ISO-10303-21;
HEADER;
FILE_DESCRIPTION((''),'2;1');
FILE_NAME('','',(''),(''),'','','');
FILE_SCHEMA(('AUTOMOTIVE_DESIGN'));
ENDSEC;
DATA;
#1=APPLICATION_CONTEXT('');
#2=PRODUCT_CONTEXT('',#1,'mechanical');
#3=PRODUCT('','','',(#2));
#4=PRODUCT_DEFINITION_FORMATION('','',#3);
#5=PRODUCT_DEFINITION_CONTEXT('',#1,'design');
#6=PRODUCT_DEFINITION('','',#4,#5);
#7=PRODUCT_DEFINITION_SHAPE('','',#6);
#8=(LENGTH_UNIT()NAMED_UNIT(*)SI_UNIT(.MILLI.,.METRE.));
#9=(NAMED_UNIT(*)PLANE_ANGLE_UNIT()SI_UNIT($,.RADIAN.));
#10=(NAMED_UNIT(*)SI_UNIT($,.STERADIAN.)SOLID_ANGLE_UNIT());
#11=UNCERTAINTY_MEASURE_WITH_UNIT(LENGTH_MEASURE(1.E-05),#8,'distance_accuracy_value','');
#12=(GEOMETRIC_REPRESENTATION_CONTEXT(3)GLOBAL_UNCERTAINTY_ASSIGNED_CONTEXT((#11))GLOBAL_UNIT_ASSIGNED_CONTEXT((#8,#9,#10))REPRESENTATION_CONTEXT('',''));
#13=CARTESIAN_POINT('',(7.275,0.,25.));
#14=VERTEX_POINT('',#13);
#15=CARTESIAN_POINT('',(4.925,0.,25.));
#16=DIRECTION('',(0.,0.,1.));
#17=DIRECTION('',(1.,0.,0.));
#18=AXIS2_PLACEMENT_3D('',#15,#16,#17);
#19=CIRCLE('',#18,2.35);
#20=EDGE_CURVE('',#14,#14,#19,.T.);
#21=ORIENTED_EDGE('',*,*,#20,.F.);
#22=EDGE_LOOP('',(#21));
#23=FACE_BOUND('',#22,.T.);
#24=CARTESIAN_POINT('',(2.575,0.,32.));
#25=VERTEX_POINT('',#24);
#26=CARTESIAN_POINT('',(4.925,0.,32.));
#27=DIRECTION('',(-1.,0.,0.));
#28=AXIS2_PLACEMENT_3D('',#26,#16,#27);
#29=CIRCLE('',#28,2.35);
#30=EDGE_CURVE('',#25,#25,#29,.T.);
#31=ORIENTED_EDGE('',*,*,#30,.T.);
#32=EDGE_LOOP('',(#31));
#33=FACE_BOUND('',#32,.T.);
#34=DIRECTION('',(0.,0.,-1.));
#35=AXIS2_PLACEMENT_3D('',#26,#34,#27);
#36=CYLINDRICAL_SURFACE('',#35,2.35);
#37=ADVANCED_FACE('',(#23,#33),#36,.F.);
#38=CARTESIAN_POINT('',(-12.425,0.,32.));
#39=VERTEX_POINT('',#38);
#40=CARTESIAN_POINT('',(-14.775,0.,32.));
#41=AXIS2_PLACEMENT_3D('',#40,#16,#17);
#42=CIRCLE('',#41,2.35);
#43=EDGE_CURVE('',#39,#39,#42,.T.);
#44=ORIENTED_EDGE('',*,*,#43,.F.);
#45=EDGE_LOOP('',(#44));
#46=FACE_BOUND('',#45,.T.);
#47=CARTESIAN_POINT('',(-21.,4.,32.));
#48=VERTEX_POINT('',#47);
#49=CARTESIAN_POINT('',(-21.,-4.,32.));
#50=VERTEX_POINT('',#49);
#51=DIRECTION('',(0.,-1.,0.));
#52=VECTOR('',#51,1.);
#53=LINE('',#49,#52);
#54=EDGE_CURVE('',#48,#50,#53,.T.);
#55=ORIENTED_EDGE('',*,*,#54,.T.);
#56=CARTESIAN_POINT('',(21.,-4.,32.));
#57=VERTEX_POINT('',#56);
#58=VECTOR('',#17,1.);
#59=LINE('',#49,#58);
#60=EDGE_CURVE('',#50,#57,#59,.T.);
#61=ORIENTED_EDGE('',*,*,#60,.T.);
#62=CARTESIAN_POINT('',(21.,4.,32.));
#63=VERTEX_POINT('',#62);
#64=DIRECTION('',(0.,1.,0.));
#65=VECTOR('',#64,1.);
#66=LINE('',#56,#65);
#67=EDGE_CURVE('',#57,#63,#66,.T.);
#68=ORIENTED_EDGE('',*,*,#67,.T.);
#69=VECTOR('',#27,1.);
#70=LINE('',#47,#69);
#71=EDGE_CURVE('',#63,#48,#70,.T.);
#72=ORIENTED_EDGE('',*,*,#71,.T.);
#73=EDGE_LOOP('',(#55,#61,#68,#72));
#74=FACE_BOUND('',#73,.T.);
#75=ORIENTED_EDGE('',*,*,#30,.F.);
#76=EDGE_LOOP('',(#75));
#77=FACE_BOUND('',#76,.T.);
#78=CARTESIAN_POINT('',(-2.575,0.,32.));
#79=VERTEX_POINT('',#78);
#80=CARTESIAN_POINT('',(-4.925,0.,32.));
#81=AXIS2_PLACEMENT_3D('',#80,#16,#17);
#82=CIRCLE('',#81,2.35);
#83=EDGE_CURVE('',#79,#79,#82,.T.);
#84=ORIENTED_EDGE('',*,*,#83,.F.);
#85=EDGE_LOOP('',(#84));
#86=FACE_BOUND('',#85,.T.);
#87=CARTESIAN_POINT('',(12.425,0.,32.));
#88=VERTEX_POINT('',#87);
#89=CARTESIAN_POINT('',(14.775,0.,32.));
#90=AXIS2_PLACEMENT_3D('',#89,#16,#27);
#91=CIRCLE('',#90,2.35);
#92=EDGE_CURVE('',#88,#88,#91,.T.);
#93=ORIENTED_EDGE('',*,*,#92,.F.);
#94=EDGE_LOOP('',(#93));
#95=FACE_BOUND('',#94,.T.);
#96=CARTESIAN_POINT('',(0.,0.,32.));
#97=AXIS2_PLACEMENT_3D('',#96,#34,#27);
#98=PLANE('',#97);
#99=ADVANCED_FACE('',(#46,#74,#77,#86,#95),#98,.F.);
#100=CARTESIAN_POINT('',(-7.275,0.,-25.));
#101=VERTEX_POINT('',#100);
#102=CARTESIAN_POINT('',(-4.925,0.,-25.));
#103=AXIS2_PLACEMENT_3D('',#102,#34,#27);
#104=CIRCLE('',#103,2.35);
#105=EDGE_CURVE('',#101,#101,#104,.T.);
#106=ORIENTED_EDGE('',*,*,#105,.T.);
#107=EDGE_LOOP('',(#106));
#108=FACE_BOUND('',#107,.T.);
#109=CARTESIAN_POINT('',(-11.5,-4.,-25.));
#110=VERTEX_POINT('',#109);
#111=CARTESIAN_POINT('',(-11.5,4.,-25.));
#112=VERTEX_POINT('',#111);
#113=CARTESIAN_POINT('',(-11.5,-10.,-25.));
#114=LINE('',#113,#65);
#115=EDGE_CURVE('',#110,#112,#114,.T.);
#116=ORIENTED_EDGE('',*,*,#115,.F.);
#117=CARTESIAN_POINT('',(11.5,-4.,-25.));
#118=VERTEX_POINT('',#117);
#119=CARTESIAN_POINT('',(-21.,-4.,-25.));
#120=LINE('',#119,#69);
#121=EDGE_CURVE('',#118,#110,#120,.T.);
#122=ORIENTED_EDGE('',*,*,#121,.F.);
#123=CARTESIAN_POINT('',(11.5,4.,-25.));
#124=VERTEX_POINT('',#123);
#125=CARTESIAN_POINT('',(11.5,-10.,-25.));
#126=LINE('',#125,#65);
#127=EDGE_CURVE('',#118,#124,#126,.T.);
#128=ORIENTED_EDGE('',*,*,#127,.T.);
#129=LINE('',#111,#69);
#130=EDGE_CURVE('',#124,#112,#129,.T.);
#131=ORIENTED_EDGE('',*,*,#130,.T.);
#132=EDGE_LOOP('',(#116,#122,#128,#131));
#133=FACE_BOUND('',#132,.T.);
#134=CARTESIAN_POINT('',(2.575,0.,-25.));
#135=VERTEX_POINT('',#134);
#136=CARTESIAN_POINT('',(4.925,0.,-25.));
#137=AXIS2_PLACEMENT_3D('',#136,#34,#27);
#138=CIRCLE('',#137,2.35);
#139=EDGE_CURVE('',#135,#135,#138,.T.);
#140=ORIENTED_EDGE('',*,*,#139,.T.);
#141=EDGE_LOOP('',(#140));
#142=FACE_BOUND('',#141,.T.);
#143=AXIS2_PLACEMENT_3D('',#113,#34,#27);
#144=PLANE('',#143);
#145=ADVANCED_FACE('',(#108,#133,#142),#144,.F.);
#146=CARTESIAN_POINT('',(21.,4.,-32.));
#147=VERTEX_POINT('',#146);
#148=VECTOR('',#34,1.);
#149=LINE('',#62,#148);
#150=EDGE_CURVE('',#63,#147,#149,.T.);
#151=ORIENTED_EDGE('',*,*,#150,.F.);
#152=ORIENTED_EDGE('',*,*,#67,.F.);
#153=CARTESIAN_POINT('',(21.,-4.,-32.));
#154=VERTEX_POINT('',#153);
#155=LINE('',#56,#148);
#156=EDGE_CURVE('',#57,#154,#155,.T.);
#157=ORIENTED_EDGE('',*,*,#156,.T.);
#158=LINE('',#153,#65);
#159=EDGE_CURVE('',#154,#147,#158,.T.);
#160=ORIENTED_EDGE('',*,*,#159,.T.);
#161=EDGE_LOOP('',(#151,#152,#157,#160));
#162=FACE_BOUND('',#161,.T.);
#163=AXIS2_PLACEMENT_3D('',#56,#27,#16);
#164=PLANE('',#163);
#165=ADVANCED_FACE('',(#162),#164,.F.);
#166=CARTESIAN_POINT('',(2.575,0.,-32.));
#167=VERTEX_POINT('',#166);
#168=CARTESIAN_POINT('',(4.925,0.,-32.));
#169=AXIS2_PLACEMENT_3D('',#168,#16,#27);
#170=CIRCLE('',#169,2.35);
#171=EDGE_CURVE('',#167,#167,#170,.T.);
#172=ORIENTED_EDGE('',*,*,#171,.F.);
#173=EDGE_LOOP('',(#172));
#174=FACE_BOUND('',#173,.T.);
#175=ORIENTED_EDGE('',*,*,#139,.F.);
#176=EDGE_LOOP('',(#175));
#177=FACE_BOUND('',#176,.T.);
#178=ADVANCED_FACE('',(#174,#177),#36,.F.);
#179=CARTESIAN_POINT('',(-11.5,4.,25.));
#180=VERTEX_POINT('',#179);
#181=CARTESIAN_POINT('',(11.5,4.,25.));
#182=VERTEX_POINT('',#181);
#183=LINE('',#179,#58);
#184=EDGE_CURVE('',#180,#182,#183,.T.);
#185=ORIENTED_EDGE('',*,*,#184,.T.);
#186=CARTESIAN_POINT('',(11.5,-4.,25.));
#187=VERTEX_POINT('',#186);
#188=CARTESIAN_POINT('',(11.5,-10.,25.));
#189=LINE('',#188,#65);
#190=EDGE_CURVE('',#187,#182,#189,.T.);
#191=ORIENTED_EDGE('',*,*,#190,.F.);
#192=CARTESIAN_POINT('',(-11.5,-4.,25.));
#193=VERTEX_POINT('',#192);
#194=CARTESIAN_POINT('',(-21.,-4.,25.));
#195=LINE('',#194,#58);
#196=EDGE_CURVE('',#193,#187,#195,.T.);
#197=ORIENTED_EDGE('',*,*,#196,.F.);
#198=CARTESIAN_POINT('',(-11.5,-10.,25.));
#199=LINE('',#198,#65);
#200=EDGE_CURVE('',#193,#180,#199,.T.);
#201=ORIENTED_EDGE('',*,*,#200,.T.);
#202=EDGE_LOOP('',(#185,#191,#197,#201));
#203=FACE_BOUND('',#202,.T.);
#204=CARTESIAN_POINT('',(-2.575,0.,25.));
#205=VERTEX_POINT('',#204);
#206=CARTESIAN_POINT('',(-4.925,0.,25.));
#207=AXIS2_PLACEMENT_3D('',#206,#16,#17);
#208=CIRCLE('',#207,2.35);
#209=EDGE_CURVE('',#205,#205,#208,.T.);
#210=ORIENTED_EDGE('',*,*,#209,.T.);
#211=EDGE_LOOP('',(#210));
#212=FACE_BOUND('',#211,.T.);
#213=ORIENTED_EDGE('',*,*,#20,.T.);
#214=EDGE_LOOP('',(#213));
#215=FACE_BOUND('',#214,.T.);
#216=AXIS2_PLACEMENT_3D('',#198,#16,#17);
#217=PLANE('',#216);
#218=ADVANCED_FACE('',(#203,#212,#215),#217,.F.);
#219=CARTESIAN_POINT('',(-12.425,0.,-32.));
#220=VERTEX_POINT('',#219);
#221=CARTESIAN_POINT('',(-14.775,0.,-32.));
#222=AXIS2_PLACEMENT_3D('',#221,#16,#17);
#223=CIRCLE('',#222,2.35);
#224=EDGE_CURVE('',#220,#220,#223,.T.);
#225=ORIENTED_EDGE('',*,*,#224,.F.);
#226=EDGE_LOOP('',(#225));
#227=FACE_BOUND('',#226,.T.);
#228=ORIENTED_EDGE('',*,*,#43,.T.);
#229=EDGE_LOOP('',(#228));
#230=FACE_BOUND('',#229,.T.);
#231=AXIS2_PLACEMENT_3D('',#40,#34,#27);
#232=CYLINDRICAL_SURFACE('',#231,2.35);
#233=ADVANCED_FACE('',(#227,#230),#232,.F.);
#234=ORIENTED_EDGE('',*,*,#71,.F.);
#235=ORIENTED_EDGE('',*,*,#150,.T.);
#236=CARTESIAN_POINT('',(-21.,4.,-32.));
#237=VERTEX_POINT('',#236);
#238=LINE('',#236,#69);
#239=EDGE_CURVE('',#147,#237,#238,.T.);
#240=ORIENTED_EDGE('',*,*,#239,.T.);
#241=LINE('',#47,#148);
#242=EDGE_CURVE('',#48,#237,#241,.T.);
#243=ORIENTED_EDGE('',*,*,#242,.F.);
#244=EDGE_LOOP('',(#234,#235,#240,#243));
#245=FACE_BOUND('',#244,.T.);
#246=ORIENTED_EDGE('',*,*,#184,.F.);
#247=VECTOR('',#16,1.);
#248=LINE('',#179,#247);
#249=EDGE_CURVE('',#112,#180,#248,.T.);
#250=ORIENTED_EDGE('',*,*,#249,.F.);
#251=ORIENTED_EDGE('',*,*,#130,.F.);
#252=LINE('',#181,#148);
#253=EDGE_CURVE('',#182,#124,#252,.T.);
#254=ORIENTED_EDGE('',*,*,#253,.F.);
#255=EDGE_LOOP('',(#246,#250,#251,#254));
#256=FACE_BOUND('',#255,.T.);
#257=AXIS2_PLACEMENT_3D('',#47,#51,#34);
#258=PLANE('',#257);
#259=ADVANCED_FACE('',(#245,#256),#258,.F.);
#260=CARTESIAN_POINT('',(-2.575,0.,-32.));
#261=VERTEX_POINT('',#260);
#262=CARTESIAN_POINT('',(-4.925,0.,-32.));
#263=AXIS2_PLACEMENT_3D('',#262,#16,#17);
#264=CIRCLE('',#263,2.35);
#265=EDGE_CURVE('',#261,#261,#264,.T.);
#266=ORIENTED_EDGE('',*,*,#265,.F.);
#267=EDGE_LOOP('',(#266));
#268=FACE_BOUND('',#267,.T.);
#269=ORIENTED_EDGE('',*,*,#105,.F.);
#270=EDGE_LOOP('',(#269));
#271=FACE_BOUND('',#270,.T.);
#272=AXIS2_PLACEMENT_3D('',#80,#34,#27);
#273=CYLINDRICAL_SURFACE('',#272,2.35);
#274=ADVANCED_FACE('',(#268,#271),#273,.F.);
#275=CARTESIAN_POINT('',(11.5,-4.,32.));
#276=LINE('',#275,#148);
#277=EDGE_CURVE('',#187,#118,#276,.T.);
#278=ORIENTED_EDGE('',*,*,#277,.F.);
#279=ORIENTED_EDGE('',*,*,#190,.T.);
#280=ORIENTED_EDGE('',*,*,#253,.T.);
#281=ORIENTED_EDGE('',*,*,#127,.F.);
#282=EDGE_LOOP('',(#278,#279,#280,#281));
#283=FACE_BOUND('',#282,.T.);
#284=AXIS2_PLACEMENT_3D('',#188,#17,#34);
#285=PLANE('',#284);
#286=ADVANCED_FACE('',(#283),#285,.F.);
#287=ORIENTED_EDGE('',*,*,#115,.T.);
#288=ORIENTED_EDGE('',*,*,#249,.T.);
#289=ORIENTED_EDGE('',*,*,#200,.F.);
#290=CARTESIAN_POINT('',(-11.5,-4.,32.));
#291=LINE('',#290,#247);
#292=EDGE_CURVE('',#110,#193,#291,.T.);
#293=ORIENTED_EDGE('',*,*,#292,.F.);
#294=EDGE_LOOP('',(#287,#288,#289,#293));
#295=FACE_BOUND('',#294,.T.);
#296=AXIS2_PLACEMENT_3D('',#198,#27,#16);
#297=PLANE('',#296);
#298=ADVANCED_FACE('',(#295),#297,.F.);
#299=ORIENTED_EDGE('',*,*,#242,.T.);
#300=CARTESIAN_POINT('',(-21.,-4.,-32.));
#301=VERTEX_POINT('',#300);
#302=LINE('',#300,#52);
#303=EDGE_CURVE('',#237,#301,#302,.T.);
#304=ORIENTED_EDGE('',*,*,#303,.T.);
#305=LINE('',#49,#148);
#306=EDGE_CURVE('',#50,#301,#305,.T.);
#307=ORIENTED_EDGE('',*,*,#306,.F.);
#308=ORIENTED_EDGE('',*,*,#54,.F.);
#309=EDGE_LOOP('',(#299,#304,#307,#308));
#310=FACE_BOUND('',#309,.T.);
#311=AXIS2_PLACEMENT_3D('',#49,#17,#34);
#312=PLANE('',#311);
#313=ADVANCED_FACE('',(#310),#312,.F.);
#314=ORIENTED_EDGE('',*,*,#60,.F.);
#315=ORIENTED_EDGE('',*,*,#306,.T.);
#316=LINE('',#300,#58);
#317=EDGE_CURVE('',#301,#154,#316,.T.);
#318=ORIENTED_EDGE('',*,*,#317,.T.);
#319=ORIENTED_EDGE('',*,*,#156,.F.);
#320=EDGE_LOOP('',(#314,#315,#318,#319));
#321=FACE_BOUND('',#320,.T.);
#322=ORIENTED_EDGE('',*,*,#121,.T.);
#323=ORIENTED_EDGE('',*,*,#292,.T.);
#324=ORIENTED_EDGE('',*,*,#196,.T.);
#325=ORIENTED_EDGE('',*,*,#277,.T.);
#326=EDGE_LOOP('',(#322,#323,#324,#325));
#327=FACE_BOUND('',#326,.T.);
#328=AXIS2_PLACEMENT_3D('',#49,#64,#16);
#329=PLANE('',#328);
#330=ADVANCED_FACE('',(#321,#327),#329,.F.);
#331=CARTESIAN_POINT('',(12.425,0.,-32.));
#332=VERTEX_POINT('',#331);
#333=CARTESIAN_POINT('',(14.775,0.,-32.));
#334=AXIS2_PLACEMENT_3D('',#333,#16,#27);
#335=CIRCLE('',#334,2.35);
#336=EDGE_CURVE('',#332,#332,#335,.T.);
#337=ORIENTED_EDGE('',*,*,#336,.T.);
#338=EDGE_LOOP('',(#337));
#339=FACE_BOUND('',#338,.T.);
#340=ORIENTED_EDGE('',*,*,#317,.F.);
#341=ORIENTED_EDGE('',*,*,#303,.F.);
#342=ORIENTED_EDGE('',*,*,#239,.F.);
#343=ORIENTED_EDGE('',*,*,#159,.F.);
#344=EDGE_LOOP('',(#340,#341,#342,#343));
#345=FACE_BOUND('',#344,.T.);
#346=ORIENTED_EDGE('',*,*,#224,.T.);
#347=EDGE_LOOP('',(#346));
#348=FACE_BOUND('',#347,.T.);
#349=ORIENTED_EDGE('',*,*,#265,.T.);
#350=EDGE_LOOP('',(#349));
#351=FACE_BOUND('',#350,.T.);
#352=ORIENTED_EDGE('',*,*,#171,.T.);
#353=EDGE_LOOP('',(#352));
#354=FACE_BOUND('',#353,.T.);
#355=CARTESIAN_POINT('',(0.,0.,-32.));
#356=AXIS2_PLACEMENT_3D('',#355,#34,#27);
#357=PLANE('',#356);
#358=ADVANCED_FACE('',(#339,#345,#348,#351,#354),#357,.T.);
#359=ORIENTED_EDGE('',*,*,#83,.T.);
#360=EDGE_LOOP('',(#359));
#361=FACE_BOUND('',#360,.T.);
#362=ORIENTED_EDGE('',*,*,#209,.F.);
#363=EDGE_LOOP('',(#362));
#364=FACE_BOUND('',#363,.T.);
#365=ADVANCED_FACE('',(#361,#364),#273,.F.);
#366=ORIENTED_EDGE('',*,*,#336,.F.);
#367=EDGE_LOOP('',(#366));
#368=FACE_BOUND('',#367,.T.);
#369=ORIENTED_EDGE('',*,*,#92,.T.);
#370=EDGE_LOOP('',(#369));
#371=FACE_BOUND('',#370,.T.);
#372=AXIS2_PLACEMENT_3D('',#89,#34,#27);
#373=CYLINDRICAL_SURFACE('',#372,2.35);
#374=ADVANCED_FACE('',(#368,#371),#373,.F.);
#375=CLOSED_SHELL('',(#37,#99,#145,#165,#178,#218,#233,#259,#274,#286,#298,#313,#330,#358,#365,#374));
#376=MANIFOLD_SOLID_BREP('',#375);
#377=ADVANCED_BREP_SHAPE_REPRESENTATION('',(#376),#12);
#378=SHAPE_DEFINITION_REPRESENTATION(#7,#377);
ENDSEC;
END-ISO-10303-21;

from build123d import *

# Parameters (mm, degrees)
SKETCH_1_W          = 42
SKETCH_1_H          = 8
SKETCH_1_R          = 2.35
EXTRUDE_1_DEPTH     = 32
SKETCH_2_W          = 23
SKETCH_2_H          = 20
CUT_EXTRUDE_2_DEPTH = 14
SKETCH_3_W          = 23
SKETCH_3_H          = 27.182471636
CUT_EXTRUDE_3_DEPTH = 10


with BuildPart() as part:
    # 草图1 → 凸台-拉伸1 (new, symmetric)
    with BuildSketch(Plane.XY):
        Rectangle(SKETCH_1_W, SKETCH_1_H)
        with Locations((-4.925, 0)):
            Circle(SKETCH_1_R, mode=Mode.SUBTRACT)
        with Locations(Location((4.925, 0, 0), (0, 0, 180))):
            Circle(SKETCH_1_R, mode=Mode.SUBTRACT)
        with Locations((-14.775, 0)):
            Circle(SKETCH_1_R, mode=Mode.SUBTRACT)
        with Locations(Location((14.775, 0, 0), (0, 0, 180))):
            Circle(SKETCH_1_R, mode=Mode.SUBTRACT)
    extrude(amount=EXTRUDE_1_DEPTH, both=True)

    # 草图2 → 切除-拉伸2 (cut)
    with BuildSketch(Plane(origin=(0, 4, 0), x_dir=(1, 0, 0), z_dir=(0, 1, 0))):
        with Locations((0, -15)):
            Rectangle(SKETCH_2_W, SKETCH_2_H)
        with Locations((0, 15)):
            Rectangle(SKETCH_2_W, SKETCH_2_H)
    extrude(amount=-CUT_EXTRUDE_2_DEPTH, mode=Mode.SUBTRACT)

    # 草图3 → 切除-拉伸3 (cut)
    with BuildSketch(Plane(origin=(0, 4, 0), x_dir=(1, 0, 0), z_dir=(0, 1, 0))):
        Rectangle(SKETCH_3_W, SKETCH_3_H)
    extrude(amount=-CUT_EXTRUDE_3_DEPTH, mode=Mode.SUBTRACT)


solid = part.part
